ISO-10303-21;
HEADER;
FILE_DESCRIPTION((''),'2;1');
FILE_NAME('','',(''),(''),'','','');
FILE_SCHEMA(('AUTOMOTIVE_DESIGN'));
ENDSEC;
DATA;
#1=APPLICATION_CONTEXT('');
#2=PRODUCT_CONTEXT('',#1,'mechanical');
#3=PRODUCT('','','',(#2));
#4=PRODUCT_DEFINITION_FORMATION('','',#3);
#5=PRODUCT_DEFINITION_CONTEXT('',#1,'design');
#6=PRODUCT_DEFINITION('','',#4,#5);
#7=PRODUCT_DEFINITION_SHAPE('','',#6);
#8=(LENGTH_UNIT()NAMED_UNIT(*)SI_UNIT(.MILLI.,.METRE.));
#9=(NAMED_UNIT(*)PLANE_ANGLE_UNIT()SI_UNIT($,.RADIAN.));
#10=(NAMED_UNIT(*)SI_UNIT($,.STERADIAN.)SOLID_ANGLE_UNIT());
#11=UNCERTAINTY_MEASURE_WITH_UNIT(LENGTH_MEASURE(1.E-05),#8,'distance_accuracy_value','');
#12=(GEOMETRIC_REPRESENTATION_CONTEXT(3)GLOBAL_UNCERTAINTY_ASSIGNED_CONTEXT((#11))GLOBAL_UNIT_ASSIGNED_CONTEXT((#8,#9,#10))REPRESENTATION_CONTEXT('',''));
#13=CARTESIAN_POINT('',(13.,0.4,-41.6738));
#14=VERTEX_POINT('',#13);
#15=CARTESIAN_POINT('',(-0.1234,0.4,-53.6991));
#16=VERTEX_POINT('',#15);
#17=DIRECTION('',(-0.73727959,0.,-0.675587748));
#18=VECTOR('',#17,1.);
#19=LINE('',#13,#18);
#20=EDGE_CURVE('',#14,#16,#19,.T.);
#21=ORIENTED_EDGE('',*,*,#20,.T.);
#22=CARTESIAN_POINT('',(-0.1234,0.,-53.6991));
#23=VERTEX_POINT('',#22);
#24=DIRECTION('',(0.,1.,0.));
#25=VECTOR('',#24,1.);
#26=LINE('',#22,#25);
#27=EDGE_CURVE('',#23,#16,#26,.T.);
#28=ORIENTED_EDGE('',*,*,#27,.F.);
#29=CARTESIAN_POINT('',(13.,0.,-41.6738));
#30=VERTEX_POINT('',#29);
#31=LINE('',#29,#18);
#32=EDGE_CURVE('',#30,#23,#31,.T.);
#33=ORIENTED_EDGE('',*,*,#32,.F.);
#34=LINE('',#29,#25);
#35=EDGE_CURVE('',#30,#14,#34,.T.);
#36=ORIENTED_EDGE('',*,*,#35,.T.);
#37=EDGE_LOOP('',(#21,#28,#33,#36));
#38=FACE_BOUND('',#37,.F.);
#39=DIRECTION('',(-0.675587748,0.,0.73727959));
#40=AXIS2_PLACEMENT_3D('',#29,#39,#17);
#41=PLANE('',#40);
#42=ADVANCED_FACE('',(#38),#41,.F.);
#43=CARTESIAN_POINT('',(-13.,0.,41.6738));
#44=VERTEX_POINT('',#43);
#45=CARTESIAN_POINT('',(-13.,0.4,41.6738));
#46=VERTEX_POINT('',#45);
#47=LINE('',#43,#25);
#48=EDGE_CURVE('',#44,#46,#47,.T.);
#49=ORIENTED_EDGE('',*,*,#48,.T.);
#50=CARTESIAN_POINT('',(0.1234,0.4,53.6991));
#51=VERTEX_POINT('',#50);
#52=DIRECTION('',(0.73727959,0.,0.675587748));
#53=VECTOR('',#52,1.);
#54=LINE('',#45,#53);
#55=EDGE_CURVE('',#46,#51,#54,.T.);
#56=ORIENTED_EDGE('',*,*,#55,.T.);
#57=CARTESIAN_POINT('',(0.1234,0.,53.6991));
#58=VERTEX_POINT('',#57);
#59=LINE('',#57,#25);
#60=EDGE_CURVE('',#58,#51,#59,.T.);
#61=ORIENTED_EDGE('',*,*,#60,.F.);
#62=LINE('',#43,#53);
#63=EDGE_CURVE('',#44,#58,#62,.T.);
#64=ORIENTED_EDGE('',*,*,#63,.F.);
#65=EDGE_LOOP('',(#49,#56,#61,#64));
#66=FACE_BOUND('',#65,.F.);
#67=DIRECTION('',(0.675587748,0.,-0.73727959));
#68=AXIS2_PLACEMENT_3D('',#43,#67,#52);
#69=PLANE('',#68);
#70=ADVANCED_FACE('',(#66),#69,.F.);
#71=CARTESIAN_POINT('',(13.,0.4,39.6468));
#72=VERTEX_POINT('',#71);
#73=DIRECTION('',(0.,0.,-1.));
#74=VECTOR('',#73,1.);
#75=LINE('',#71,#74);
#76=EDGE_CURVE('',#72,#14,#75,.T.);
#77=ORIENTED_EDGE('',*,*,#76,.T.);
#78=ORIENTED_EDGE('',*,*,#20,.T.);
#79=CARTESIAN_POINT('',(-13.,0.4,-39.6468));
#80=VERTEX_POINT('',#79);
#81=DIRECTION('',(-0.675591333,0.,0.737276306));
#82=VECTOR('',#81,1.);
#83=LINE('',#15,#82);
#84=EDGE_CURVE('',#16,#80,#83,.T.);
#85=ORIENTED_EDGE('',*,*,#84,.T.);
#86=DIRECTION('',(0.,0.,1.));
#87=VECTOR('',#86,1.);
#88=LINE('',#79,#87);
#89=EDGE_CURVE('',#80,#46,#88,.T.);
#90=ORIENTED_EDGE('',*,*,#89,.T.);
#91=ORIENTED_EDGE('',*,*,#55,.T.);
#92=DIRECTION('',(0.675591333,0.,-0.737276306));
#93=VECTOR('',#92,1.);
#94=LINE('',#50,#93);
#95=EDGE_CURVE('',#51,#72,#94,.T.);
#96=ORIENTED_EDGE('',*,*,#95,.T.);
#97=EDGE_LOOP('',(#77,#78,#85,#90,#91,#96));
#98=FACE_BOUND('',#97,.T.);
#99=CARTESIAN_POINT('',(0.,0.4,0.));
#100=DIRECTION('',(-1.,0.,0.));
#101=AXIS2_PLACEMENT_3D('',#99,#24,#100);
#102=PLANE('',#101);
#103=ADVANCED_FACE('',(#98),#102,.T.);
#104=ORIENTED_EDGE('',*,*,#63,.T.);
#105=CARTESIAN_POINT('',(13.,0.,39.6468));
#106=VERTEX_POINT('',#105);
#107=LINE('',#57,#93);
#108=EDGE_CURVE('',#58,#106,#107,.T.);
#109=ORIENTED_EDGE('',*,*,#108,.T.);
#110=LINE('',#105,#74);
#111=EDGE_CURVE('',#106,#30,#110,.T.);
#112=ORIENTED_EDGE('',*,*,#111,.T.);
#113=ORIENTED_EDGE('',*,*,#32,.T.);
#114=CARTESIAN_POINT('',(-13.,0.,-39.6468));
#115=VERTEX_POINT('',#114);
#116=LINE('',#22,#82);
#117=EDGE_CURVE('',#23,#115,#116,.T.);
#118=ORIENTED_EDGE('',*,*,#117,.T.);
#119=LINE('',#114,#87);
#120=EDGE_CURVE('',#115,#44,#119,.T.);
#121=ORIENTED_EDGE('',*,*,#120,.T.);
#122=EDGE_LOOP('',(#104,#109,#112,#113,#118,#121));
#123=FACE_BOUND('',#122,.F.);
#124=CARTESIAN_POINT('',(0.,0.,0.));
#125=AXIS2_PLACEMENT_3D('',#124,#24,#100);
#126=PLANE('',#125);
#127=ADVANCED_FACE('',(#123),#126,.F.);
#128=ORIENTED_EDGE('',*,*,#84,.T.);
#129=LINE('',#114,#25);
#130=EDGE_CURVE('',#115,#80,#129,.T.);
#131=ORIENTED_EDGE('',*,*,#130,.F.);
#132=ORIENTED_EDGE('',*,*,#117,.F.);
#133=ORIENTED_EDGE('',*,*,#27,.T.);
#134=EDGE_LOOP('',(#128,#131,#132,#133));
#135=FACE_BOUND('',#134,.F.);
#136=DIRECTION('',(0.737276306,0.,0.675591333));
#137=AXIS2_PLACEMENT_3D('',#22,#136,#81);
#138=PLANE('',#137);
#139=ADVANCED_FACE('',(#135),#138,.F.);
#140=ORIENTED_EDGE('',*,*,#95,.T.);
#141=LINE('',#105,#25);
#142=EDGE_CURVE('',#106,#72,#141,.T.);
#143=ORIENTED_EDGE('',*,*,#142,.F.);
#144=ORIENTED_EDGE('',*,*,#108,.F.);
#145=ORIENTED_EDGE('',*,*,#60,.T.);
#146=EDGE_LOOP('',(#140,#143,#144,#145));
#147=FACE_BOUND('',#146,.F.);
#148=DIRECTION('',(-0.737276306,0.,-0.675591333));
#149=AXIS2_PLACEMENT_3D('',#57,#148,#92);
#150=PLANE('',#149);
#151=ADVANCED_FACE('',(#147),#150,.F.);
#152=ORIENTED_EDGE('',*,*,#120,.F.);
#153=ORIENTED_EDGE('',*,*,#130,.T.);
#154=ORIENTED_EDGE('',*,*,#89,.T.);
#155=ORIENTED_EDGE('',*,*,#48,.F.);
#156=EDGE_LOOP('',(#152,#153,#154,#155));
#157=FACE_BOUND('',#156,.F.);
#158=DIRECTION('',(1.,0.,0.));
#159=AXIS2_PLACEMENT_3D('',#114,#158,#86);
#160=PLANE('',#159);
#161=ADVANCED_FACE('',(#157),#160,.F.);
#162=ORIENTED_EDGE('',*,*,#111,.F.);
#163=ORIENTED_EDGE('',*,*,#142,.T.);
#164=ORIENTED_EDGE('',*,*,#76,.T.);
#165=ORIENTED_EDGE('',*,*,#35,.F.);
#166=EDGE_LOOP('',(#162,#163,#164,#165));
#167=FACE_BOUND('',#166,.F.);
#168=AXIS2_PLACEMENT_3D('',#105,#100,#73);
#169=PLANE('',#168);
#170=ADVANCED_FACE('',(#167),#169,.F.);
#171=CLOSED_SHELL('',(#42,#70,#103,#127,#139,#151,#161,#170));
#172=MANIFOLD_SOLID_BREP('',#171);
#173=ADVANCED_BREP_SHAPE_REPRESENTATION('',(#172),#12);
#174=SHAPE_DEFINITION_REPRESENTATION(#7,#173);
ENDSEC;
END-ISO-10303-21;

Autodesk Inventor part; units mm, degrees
ref_plane "YZ Plane" through (0, 0, 0) normal (1, 0, 0) x (0, 1, 0)
ref_plane "XZ Plane" through (0, 0, 0) normal (0, 1, 0) x (-1, 0, 0)
ref_plane "XY Plane" through (0, 0, 0) normal (0, 0, 1) x (1, 0, 0)
sketch "Sketch1" plane through (0, 0, 0) normal (0, 1, 0) x (-1, 0, 0)
  line L0 (13, -39.6468) -> (13, 41.6738)
  line L1 (13, 41.6738) -> (-0.1234, 53.6991)
  line L2 (-0.1234, 53.6991) -> (-13, 39.6468)
  line L3 (-13, 39.6468) -> (-13, -41.6738)
  line L4 (-13, -41.6738) -> (0.1234, -53.6991)
  line L5 (0.1234, -53.6991) -> (13, -39.6468)
  line L6 (-9.6864, 40.3026) -> (-3.378, 47.187)
  arc A0 (3.6864, 47.4955) -> (-3.378, 47.187) centre (0.3084, 43.8091) ccw
  line L7 (3.6864, 47.4955) -> (9.378, 42.2801)
  arc A1 (11, 38.5937) -> (9.378, 42.2801) centre (6, 38.5937) ccw
  line L8 (11, 38.5937) -> (11, -36.9246)
  arc A2 (9.6864, -40.3026) -> (11, -36.9246) centre (6, -36.9246) ccw
  line L9 (9.6864, -40.3026) -> (3.378, -47.187)
  arc A3 (-3.6864, -47.4955) -> (3.378, -47.187) centre (-0.3084, -43.8091) ccw
  line L10 (-3.6864, -47.4955) -> (-9.378, -42.2801)
  arc A4 (-11, -38.5937) -> (-9.378, -42.2801) centre (-6, -38.5937) ccw
  line L11 (-11, -38.5937) -> (-11, 36.9246)
  arc A5 (-9.6864, 40.3026) -> (-11, 36.9246) centre (-6, 36.9246) ccw
  line L12 (12.8, -39.569) -> (0.111, -53.4166)
  line L13 (0.111, -53.4166) -> (-12.8, -41.5858)
  line L14 (-12.8, -41.5858) -> (-12.8, 39.569)
  line L15 (-12.8, 39.569) -> (-0.111, 53.4166)
  point P0 (0, 0)
  point P1 (0, 0)
extrude "Extrusion1" add sketch "Sketch1" along normal blind 0.4 contours L5 L4 L3 L2 L1 L0 | L6 A0 L7 A1 L8 A2 L9 A3 L10 A4 L11 A5
properties part number "g"
